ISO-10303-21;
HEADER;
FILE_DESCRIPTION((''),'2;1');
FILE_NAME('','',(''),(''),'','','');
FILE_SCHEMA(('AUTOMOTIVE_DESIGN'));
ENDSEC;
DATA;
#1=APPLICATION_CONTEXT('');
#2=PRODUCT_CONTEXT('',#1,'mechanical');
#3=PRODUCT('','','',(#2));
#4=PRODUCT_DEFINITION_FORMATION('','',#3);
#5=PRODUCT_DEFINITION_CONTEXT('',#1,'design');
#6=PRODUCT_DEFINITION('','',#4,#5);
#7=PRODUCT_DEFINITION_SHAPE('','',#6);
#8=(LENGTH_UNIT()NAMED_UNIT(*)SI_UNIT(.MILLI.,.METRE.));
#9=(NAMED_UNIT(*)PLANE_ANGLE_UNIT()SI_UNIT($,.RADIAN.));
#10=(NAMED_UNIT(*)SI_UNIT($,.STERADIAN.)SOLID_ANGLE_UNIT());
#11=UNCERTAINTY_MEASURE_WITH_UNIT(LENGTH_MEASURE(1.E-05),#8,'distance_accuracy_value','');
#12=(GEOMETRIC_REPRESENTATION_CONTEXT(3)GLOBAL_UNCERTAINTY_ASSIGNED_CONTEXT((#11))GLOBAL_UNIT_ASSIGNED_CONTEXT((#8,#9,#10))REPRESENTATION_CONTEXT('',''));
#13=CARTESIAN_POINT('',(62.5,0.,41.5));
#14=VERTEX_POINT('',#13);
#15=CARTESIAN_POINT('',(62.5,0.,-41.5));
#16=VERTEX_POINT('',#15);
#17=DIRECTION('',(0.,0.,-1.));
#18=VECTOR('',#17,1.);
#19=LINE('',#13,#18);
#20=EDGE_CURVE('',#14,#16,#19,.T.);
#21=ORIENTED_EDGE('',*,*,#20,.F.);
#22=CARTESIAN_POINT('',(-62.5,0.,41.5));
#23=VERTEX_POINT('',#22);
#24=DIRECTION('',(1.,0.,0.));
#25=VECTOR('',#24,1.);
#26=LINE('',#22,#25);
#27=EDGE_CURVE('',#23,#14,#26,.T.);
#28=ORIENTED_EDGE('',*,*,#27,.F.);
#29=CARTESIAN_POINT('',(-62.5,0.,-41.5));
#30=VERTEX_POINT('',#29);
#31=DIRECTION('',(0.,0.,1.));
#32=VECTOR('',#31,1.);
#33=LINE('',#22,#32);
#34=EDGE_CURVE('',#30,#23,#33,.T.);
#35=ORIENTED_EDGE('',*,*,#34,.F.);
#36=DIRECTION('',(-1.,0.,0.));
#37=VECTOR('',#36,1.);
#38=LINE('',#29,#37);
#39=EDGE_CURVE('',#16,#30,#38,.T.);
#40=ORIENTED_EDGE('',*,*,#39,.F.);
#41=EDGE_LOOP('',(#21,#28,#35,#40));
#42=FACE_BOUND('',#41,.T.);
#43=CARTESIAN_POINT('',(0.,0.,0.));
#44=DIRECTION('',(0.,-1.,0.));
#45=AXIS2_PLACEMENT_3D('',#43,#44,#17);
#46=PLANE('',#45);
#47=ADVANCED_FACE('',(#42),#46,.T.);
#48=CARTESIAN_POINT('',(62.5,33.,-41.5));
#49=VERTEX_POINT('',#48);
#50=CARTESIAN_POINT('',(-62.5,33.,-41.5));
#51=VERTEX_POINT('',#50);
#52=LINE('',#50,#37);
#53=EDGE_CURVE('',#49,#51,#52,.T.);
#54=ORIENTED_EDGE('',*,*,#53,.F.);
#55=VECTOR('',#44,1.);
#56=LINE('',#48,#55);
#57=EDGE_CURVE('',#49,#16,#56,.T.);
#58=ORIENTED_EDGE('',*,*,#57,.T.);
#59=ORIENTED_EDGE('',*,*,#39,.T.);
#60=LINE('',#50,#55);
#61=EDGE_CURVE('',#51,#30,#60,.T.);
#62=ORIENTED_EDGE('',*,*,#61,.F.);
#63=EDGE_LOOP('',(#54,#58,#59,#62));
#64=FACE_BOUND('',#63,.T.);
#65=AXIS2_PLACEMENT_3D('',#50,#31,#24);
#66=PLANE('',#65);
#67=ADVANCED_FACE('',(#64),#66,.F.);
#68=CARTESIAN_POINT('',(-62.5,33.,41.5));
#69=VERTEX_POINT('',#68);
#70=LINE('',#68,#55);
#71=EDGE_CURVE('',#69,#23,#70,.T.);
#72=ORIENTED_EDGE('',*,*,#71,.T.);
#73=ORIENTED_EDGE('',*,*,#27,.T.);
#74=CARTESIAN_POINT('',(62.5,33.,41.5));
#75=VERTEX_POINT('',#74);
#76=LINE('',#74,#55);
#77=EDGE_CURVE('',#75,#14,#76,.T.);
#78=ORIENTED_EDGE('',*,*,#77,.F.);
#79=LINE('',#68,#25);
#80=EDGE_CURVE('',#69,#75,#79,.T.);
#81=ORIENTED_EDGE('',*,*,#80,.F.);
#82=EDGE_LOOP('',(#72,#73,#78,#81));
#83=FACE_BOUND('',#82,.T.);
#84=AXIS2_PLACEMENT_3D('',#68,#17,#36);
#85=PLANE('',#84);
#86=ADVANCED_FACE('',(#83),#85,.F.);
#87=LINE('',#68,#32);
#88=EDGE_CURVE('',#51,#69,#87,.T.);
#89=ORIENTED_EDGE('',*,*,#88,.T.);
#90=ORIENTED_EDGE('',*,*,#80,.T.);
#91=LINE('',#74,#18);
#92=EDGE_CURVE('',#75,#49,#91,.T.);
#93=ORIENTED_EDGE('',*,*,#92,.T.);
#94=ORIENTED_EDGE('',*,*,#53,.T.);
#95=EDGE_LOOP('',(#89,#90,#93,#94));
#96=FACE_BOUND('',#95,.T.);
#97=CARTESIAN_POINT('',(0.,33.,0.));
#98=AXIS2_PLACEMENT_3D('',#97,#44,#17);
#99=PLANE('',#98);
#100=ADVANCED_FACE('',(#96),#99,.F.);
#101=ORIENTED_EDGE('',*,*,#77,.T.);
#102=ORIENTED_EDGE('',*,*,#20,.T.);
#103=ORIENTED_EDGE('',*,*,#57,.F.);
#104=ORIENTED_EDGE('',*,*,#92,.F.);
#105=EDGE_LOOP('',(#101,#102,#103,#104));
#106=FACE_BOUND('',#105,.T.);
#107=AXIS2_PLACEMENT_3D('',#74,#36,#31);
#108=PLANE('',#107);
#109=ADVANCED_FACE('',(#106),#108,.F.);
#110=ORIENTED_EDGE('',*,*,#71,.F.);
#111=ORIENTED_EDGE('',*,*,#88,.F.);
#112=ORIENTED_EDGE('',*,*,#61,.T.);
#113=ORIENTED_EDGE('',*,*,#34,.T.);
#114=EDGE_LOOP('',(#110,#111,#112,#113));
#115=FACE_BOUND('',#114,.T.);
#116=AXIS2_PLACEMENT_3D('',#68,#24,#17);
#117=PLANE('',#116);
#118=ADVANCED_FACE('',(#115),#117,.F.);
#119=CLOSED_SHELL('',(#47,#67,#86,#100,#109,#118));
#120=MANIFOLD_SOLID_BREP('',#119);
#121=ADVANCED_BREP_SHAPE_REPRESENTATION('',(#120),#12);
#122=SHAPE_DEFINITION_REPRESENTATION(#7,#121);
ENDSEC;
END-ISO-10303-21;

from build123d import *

# Parameters (mm, degrees)
SKETCH_1_W      = 125
SKETCH_1_H      = 83
EXTRUDE_1_DEPTH = 33


with BuildPart() as part:
    # 草图1 → 凸台-拉伸1 (new body)
    with BuildSketch(Plane(origin=(0, 0, 0), x_dir=(1, 0, 0), z_dir=(0, 1, 0))):
        Rectangle(SKETCH_1_W, SKETCH_1_H)
    extrude(amount=EXTRUDE_1_DEPTH)


solid = part.part
